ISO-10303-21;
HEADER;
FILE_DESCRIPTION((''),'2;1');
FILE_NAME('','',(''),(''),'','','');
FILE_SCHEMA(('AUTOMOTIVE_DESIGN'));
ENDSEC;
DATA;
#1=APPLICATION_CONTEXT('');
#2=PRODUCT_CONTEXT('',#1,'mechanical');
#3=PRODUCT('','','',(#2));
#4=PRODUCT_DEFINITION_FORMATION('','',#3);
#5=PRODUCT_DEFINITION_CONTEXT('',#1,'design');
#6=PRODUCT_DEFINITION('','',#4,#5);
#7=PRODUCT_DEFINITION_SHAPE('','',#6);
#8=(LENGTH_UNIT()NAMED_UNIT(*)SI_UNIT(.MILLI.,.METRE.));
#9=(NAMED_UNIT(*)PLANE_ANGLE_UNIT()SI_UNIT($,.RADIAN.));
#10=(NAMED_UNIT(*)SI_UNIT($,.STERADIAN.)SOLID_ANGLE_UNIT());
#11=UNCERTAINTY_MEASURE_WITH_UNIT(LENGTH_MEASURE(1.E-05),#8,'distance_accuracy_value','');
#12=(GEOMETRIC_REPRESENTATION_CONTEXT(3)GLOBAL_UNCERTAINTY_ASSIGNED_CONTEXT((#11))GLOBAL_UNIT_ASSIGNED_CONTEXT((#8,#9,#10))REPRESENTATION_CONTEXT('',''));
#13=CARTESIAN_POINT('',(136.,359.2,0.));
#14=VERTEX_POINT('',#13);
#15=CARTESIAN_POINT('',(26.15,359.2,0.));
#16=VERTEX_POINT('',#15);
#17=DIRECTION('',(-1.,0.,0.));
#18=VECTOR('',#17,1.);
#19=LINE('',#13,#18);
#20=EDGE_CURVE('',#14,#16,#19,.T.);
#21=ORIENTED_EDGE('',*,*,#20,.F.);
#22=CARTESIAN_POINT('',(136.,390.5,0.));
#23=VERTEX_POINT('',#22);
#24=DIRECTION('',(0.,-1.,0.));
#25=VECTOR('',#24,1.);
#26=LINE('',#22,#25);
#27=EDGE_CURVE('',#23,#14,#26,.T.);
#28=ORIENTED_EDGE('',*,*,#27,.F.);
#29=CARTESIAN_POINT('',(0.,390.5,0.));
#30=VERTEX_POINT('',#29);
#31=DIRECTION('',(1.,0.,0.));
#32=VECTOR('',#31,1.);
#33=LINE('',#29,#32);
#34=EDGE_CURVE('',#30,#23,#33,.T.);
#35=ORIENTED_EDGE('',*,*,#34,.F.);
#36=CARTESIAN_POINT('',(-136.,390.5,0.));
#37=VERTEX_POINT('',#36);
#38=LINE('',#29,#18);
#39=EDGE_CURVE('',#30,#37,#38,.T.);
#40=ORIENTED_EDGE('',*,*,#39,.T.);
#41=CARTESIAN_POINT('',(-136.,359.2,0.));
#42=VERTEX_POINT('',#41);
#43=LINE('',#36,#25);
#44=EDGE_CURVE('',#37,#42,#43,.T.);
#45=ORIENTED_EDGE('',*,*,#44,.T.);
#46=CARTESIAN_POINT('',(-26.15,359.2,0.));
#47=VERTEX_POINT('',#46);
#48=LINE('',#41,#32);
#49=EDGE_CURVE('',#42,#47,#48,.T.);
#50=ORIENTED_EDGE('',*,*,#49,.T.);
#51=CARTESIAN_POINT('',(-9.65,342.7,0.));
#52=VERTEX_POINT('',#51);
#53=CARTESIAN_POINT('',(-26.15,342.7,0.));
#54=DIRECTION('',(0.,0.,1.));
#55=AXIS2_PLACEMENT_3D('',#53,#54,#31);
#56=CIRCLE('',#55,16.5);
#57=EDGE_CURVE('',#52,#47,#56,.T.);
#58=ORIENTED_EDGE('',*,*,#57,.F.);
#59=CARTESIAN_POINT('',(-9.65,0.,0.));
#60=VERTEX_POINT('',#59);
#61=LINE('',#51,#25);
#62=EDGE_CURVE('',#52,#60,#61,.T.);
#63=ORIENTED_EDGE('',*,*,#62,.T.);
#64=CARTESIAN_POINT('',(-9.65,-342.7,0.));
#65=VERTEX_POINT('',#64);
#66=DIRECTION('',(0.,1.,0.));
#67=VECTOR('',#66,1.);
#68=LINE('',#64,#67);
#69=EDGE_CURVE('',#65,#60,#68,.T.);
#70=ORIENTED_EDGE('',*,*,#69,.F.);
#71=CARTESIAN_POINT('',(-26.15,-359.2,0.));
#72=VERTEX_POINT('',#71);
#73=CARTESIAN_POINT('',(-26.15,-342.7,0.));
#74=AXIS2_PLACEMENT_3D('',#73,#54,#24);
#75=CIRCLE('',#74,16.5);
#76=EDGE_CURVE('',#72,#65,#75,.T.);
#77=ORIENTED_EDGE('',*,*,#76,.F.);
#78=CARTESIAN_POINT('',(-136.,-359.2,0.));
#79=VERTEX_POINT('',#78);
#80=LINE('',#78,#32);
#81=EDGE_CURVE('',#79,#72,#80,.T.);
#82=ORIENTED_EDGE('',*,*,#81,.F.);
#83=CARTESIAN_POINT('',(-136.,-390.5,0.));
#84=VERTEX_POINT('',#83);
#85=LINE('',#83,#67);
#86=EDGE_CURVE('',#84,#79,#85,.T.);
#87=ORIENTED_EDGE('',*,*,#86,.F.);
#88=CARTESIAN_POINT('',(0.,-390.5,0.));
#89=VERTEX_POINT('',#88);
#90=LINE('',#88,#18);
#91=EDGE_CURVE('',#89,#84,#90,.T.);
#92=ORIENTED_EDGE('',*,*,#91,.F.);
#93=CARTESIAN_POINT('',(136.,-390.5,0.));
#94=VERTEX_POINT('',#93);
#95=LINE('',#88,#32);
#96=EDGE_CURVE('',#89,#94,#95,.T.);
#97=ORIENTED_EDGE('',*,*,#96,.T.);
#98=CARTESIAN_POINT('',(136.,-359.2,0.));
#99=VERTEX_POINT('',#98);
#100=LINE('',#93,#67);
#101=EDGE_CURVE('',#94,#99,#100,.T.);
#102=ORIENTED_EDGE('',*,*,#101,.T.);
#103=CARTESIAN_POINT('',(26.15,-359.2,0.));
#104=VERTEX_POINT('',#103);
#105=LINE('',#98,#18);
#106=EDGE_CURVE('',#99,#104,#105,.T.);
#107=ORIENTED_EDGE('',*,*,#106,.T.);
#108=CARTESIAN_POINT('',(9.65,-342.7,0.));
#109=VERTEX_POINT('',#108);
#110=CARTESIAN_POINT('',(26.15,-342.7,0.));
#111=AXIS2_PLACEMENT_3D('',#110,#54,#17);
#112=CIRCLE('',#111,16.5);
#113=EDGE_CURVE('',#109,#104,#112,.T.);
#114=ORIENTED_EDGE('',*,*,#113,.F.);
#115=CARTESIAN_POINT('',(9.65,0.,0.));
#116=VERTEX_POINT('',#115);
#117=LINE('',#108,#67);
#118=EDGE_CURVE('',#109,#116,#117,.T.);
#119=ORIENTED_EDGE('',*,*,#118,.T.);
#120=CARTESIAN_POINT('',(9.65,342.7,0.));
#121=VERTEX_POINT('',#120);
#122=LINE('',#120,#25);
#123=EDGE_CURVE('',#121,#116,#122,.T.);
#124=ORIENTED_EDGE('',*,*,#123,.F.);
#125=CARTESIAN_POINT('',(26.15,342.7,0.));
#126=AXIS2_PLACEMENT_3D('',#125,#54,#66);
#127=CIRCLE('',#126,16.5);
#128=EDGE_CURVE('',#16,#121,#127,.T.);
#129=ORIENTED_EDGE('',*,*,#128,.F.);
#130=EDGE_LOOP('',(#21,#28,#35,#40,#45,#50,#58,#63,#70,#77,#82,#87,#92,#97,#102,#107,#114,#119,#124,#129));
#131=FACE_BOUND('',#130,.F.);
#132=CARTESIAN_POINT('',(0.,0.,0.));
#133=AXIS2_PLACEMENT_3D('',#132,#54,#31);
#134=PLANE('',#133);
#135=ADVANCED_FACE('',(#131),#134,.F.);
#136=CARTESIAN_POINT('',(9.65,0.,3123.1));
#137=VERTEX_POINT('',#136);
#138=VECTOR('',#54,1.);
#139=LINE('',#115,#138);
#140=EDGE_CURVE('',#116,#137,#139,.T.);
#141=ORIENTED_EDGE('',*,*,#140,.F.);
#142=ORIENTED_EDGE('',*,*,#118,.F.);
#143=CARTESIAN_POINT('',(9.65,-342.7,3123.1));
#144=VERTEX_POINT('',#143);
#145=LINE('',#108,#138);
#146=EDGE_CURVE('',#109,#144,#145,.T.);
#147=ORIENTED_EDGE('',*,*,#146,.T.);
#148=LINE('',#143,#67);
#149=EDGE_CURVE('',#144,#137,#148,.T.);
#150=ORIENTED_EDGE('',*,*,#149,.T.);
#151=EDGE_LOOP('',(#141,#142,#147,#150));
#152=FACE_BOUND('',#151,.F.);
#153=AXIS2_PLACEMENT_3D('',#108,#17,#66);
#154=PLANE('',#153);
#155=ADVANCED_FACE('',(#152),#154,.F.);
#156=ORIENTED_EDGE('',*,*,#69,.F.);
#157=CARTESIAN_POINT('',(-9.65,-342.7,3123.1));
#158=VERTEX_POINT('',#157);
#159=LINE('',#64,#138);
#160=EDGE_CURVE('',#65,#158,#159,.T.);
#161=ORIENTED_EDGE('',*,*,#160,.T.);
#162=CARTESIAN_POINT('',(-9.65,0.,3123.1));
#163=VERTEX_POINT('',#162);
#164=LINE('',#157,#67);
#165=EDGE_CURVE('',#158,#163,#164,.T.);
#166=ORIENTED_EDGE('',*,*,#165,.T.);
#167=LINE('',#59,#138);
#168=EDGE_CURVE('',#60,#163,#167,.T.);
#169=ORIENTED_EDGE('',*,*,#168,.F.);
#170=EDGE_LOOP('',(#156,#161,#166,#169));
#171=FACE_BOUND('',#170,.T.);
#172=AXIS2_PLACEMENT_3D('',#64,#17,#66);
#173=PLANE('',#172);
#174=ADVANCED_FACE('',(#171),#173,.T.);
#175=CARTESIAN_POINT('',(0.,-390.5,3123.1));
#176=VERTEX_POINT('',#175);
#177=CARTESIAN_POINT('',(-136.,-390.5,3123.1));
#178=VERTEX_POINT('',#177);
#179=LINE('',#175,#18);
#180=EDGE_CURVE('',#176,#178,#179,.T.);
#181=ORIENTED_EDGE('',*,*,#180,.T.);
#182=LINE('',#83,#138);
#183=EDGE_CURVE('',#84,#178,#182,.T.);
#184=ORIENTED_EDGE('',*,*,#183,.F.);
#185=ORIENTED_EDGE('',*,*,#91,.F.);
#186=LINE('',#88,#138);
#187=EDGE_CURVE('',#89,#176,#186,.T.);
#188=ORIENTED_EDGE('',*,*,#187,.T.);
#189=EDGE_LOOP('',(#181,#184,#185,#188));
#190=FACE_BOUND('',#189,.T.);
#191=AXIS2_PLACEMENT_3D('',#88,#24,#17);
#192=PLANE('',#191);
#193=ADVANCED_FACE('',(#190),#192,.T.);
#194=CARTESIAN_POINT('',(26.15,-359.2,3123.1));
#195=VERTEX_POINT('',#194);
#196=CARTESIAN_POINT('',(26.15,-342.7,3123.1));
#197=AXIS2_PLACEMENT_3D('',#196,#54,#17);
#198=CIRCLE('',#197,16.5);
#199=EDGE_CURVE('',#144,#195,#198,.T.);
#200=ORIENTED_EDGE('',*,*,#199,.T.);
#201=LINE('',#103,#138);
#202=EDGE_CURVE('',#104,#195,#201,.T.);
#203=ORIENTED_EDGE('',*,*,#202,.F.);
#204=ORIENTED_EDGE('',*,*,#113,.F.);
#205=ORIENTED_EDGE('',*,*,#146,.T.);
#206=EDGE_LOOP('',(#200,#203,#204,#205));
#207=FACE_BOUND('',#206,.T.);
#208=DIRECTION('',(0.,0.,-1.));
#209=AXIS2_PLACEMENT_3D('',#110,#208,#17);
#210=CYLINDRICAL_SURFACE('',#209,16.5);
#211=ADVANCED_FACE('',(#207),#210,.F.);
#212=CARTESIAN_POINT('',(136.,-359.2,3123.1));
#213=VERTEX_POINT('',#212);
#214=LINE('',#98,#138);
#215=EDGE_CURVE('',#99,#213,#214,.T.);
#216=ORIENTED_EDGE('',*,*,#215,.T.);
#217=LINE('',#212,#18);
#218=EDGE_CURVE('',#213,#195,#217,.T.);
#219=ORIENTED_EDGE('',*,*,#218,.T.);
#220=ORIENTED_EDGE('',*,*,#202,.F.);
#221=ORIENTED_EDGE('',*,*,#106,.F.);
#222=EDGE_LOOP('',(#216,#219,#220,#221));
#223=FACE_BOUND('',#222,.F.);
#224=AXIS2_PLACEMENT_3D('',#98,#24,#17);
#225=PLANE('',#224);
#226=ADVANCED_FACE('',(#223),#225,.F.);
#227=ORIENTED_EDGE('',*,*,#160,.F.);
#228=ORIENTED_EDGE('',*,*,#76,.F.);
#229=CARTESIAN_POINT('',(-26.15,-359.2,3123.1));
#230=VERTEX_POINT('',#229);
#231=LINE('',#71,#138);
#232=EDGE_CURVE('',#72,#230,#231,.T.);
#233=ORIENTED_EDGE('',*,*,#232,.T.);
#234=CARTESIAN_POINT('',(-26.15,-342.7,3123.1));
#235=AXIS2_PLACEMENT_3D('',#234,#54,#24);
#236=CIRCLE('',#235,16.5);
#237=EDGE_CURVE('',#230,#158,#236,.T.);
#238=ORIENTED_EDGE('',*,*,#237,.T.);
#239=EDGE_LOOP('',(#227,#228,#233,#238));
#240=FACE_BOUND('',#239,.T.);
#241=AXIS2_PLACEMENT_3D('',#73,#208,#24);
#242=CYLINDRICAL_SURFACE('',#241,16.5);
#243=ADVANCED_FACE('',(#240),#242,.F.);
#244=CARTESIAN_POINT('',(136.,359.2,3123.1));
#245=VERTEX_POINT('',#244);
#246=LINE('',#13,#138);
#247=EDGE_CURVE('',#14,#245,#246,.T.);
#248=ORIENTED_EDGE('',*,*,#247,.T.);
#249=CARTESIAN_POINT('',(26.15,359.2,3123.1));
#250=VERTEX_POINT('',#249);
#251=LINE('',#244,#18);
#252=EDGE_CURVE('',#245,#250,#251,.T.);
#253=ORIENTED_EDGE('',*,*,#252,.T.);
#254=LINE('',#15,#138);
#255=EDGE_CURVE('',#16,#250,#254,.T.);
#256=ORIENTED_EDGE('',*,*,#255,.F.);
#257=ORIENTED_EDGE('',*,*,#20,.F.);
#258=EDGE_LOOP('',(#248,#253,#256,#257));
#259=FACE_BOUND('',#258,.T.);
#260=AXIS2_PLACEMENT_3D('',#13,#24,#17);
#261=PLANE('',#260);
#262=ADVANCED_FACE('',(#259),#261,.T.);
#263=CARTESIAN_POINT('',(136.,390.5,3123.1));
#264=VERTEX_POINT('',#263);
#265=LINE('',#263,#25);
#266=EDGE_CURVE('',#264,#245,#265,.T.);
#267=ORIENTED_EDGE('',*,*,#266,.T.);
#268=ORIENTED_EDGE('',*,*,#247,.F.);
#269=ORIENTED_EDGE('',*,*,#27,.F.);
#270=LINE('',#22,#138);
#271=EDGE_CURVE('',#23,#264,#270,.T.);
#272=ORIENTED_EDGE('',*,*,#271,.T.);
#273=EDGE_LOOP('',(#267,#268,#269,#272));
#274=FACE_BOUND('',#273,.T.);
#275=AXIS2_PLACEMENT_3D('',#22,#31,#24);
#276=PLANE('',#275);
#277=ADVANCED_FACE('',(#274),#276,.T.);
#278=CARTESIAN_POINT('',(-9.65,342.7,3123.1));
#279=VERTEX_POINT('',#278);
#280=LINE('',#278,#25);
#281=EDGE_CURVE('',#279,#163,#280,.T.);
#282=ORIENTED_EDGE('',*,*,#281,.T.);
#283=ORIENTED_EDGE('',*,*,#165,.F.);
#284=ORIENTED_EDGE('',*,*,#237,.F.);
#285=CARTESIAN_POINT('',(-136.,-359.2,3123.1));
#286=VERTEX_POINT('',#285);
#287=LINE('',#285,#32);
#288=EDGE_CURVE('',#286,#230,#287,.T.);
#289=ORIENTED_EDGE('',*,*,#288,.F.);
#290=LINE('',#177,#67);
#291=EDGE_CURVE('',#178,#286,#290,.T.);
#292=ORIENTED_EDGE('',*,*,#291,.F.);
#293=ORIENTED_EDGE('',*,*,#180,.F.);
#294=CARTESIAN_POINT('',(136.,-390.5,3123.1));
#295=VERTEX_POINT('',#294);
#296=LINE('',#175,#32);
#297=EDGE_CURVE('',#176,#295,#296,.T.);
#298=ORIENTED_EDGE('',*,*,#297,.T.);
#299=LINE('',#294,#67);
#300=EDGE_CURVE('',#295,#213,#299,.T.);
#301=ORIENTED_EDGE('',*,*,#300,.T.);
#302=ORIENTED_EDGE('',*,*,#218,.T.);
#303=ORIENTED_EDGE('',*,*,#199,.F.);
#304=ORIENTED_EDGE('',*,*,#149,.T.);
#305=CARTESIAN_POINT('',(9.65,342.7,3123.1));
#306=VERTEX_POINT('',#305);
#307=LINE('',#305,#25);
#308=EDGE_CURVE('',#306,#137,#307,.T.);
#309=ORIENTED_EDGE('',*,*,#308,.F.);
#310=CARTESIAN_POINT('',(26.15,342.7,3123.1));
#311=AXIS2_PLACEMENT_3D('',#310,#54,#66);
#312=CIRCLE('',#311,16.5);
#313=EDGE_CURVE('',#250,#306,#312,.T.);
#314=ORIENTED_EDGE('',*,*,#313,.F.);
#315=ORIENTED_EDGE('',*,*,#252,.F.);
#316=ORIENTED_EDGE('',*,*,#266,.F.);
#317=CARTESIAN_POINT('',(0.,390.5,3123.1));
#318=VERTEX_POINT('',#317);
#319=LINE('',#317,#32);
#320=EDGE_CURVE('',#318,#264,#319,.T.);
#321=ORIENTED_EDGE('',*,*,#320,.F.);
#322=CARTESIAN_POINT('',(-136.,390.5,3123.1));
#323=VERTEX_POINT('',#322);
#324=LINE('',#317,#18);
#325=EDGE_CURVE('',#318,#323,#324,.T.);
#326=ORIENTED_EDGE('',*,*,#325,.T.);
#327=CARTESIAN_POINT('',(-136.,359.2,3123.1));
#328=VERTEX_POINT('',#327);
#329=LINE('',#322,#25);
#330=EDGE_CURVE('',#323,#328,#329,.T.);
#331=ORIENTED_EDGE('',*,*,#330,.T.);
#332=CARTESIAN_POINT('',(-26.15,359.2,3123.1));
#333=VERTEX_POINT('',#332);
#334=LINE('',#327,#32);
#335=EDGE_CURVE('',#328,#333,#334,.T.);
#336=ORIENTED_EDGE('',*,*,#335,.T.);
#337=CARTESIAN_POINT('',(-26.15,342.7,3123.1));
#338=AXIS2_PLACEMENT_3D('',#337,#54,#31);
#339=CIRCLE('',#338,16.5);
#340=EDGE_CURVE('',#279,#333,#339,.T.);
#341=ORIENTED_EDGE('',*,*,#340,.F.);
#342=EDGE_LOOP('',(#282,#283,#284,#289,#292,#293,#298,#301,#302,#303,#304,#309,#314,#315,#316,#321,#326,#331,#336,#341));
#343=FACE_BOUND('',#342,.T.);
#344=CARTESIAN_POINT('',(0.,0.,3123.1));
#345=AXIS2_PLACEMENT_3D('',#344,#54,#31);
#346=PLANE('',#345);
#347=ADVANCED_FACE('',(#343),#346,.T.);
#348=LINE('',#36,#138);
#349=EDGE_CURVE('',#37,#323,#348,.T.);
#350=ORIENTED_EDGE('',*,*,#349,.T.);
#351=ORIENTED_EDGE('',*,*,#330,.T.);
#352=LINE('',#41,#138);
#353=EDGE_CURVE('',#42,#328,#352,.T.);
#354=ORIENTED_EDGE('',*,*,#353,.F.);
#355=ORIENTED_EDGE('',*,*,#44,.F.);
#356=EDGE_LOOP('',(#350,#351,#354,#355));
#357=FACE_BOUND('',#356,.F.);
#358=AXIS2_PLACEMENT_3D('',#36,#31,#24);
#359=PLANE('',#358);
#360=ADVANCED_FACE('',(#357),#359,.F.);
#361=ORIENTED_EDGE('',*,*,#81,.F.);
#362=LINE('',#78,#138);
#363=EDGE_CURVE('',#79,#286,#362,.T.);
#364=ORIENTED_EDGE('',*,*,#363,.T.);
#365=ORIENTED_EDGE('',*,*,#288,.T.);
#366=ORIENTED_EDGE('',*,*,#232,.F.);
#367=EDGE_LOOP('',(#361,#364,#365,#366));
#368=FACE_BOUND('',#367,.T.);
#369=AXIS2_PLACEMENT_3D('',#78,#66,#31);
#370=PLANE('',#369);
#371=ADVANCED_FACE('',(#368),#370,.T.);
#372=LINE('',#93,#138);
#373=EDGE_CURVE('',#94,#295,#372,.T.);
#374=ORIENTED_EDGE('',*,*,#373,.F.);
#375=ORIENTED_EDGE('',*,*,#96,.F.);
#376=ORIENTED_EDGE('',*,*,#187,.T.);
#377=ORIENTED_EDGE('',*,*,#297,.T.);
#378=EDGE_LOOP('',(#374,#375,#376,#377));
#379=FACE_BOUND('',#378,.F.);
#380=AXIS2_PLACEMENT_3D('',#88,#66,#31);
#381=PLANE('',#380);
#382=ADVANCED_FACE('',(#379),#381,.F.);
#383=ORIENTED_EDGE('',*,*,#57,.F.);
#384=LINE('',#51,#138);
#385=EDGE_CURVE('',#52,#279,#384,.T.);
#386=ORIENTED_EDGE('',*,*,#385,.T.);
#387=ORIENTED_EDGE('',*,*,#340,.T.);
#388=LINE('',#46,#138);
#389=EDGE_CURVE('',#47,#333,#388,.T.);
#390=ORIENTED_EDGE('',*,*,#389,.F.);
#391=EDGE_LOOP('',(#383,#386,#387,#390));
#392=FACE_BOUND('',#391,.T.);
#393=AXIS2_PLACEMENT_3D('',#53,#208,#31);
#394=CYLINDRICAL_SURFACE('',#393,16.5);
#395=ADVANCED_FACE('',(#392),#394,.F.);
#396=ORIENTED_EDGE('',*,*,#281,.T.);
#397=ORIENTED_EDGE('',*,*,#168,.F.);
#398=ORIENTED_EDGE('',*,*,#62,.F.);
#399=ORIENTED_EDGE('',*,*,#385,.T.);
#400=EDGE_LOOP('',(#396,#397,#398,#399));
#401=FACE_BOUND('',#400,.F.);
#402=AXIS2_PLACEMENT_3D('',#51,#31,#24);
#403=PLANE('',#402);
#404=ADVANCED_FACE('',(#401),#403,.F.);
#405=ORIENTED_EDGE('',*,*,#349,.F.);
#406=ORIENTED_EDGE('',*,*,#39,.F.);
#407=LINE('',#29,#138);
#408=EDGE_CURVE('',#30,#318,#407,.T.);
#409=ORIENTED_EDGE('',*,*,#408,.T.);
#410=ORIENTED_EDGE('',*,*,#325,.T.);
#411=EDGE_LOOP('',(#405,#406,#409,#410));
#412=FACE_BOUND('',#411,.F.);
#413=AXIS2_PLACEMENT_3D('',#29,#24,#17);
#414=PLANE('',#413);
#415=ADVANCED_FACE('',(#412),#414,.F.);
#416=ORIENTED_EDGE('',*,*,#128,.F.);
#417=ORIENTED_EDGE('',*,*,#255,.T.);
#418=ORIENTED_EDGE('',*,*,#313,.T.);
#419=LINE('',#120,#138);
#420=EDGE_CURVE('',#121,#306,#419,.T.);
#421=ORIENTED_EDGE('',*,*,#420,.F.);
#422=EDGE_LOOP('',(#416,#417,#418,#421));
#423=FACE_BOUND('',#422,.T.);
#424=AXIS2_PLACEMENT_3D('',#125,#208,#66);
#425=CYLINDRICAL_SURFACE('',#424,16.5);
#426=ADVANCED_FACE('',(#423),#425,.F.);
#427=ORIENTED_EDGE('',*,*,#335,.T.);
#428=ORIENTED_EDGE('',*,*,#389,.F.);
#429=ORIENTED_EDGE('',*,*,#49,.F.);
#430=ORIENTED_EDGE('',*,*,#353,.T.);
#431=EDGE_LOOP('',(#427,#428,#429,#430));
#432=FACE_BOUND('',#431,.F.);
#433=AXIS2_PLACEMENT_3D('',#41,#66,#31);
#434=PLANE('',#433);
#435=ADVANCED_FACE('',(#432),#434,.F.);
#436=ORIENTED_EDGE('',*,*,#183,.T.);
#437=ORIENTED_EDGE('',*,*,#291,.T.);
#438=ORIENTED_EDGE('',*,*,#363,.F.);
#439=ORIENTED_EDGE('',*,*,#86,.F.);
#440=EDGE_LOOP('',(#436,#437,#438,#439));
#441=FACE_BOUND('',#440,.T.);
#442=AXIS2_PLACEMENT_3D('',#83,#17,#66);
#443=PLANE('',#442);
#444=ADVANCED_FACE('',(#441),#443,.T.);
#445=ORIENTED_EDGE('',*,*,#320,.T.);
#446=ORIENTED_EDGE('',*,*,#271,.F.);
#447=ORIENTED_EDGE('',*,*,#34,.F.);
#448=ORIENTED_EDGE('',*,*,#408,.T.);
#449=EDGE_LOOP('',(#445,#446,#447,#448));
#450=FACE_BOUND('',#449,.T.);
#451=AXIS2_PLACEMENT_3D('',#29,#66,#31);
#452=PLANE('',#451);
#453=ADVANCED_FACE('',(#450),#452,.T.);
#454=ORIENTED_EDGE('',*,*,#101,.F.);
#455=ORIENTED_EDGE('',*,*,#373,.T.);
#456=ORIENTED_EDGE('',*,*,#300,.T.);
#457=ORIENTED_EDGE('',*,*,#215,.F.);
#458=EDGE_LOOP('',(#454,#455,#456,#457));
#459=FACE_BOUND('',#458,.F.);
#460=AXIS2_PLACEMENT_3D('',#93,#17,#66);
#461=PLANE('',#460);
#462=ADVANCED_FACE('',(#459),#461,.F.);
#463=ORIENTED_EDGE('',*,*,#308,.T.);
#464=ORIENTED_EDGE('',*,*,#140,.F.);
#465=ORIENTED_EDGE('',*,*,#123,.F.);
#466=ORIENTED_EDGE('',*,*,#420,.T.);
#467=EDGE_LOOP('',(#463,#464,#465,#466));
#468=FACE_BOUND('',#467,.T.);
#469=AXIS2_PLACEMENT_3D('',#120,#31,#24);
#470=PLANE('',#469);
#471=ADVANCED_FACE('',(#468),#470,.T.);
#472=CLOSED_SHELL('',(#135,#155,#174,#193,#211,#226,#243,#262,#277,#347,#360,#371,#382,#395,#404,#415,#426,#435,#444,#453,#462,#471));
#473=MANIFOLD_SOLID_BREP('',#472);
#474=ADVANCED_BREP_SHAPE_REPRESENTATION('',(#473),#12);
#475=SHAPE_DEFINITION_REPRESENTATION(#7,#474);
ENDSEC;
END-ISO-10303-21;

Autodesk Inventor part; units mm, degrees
ref_plane "YZ Plane" through (0, 0, 0) normal (1, 0, 0) x (0, 1, 0)
ref_plane "Start plane" through (0, 0, 0) normal (0, 0, 1) x (1, 0, 0)
ref_plane "End plane" through (0, 0, 3123.1) normal (0, 0, 1) x (1, 0, 0)
sketch "Sketch" plane through (0, 0, 0) normal (0, 0, 1) x (1, 0, 0)
  line L0 (-136, -390.5) -> (-136, -359.2)
  line L1 (-136, -359.2) -> (-26.15, -359.2)
  line L2 (-9.65, -342.7) -> (-9.65, 0)
  line L3 (-9.65, 0) -> (0, 0) construction
  line L4 (0, 0) -> (0, -390.5) construction
  line L5 (0, -390.5) -> (-136, -390.5)
  line L6 (-60, 0) -> (80, 0) construction
  line L7 (0, -60) -> (0, 80) construction
  line L8 (136, -390.5) -> (136, -359.2)
  line L9 (136, -359.2) -> (26.15, -359.2)
  line L10 (9.65, -342.7) -> (9.65, 0)
  line L11 (9.65, 0) -> (0, 0) construction
  line L12 (0, -390.5) -> (136, -390.5)
  line L13 (-136, 390.5) -> (-136, 359.2)
  line L14 (-136, 359.2) -> (-26.15, 359.2)
  line L15 (-9.65, 342.7) -> (-9.65, 0)
  line L16 (0, 390.5) -> (-136, 390.5)
  line L17 (136, 390.5) -> (136, 359.2)
  line L18 (136, 359.2) -> (26.15, 359.2)
  line L19 (0, 390.5) -> (136, 390.5)
  line L20 (9.65, 342.7) -> (9.65, 0)
  arc A0 (-9.65, 342.7) -> (-26.15, 359.2) centre (-26.15, 342.7) ccw
  arc A1 (26.15, 359.2) -> (9.65, 342.7) centre (26.15, 342.7) ccw
  arc A2 (9.65, -342.7) -> (26.15, -359.2) centre (26.15, -342.7) ccw
  arc A3 (-26.15, -359.2) -> (-9.65, -342.7) centre (-26.15, -342.7) ccw
  line L21 (0, 108) -> (0, -88) construction
  line L22 (-88, 0) -> (108, 0) construction
  point P0 (-9.65, -359.2)
  point P1 (9.65, -359.2)
  point P2 (-9.65, 359.2)
  point P3 (9.65, 359.2)
  dimension "d1" = 390.5
  dimension "d2" = 31.3
  dimension "d3" = 136
  dimension "d4" = 9.65
  dimension "d10" = 16.5
extrude "Body" add sketch "Sketch" along normal up to surface (3123.1 mm away) from surface at 0
sketch "Sketch4" plane through (0, 0, 0) normal (0, 0, 1) x (1, 0, 0)
  line L0 (0, 0) -> (10, 0)
ref_plane "Work Plane3" through (0, 0, 0) normal (0, -1, 0) x (1, 0, 0)
sketch "Sketch5" plane through (0, 0, 0) normal (0, -1, 0) x (1, 0, 0)
  line L0 (-2, 0) -> (12, 0) projected
  line L1 (-2, 3123.1) -> (12, 3123.1) projected
  dimension "d14" = 3123.1
equation "\"d1\" = 0.5 * G_H"
equation "\"d2\" = G_T1"
equation "\"d3\" = 0.5 * G_W"
equation "\"d4\" = 0.5 * G_T"
equation "\"d10\" = G_IR"
equation "\"d5\" = G_L"
equation "\"G_W\" = 272"
equation "\"G_H\" = 781"
equation "\"G_T\" = 19.3"
equation "\"G_T1\" = 31.3"
equation "\"G_IR\" = 16.5"
equation "\"G_L\" = d14"
equation "\"G_OFFSET_START\" = 0"
equation "\"G_OFFSET_END\" = 0"
equation "\"d12\" = G_OFFSET_END + B_L"
equation "\"B_L\" = 3123.1"
properties part number "AS 3679-1990 - 760 UB - 244 - 3123.1" material "Steel, Mild"
